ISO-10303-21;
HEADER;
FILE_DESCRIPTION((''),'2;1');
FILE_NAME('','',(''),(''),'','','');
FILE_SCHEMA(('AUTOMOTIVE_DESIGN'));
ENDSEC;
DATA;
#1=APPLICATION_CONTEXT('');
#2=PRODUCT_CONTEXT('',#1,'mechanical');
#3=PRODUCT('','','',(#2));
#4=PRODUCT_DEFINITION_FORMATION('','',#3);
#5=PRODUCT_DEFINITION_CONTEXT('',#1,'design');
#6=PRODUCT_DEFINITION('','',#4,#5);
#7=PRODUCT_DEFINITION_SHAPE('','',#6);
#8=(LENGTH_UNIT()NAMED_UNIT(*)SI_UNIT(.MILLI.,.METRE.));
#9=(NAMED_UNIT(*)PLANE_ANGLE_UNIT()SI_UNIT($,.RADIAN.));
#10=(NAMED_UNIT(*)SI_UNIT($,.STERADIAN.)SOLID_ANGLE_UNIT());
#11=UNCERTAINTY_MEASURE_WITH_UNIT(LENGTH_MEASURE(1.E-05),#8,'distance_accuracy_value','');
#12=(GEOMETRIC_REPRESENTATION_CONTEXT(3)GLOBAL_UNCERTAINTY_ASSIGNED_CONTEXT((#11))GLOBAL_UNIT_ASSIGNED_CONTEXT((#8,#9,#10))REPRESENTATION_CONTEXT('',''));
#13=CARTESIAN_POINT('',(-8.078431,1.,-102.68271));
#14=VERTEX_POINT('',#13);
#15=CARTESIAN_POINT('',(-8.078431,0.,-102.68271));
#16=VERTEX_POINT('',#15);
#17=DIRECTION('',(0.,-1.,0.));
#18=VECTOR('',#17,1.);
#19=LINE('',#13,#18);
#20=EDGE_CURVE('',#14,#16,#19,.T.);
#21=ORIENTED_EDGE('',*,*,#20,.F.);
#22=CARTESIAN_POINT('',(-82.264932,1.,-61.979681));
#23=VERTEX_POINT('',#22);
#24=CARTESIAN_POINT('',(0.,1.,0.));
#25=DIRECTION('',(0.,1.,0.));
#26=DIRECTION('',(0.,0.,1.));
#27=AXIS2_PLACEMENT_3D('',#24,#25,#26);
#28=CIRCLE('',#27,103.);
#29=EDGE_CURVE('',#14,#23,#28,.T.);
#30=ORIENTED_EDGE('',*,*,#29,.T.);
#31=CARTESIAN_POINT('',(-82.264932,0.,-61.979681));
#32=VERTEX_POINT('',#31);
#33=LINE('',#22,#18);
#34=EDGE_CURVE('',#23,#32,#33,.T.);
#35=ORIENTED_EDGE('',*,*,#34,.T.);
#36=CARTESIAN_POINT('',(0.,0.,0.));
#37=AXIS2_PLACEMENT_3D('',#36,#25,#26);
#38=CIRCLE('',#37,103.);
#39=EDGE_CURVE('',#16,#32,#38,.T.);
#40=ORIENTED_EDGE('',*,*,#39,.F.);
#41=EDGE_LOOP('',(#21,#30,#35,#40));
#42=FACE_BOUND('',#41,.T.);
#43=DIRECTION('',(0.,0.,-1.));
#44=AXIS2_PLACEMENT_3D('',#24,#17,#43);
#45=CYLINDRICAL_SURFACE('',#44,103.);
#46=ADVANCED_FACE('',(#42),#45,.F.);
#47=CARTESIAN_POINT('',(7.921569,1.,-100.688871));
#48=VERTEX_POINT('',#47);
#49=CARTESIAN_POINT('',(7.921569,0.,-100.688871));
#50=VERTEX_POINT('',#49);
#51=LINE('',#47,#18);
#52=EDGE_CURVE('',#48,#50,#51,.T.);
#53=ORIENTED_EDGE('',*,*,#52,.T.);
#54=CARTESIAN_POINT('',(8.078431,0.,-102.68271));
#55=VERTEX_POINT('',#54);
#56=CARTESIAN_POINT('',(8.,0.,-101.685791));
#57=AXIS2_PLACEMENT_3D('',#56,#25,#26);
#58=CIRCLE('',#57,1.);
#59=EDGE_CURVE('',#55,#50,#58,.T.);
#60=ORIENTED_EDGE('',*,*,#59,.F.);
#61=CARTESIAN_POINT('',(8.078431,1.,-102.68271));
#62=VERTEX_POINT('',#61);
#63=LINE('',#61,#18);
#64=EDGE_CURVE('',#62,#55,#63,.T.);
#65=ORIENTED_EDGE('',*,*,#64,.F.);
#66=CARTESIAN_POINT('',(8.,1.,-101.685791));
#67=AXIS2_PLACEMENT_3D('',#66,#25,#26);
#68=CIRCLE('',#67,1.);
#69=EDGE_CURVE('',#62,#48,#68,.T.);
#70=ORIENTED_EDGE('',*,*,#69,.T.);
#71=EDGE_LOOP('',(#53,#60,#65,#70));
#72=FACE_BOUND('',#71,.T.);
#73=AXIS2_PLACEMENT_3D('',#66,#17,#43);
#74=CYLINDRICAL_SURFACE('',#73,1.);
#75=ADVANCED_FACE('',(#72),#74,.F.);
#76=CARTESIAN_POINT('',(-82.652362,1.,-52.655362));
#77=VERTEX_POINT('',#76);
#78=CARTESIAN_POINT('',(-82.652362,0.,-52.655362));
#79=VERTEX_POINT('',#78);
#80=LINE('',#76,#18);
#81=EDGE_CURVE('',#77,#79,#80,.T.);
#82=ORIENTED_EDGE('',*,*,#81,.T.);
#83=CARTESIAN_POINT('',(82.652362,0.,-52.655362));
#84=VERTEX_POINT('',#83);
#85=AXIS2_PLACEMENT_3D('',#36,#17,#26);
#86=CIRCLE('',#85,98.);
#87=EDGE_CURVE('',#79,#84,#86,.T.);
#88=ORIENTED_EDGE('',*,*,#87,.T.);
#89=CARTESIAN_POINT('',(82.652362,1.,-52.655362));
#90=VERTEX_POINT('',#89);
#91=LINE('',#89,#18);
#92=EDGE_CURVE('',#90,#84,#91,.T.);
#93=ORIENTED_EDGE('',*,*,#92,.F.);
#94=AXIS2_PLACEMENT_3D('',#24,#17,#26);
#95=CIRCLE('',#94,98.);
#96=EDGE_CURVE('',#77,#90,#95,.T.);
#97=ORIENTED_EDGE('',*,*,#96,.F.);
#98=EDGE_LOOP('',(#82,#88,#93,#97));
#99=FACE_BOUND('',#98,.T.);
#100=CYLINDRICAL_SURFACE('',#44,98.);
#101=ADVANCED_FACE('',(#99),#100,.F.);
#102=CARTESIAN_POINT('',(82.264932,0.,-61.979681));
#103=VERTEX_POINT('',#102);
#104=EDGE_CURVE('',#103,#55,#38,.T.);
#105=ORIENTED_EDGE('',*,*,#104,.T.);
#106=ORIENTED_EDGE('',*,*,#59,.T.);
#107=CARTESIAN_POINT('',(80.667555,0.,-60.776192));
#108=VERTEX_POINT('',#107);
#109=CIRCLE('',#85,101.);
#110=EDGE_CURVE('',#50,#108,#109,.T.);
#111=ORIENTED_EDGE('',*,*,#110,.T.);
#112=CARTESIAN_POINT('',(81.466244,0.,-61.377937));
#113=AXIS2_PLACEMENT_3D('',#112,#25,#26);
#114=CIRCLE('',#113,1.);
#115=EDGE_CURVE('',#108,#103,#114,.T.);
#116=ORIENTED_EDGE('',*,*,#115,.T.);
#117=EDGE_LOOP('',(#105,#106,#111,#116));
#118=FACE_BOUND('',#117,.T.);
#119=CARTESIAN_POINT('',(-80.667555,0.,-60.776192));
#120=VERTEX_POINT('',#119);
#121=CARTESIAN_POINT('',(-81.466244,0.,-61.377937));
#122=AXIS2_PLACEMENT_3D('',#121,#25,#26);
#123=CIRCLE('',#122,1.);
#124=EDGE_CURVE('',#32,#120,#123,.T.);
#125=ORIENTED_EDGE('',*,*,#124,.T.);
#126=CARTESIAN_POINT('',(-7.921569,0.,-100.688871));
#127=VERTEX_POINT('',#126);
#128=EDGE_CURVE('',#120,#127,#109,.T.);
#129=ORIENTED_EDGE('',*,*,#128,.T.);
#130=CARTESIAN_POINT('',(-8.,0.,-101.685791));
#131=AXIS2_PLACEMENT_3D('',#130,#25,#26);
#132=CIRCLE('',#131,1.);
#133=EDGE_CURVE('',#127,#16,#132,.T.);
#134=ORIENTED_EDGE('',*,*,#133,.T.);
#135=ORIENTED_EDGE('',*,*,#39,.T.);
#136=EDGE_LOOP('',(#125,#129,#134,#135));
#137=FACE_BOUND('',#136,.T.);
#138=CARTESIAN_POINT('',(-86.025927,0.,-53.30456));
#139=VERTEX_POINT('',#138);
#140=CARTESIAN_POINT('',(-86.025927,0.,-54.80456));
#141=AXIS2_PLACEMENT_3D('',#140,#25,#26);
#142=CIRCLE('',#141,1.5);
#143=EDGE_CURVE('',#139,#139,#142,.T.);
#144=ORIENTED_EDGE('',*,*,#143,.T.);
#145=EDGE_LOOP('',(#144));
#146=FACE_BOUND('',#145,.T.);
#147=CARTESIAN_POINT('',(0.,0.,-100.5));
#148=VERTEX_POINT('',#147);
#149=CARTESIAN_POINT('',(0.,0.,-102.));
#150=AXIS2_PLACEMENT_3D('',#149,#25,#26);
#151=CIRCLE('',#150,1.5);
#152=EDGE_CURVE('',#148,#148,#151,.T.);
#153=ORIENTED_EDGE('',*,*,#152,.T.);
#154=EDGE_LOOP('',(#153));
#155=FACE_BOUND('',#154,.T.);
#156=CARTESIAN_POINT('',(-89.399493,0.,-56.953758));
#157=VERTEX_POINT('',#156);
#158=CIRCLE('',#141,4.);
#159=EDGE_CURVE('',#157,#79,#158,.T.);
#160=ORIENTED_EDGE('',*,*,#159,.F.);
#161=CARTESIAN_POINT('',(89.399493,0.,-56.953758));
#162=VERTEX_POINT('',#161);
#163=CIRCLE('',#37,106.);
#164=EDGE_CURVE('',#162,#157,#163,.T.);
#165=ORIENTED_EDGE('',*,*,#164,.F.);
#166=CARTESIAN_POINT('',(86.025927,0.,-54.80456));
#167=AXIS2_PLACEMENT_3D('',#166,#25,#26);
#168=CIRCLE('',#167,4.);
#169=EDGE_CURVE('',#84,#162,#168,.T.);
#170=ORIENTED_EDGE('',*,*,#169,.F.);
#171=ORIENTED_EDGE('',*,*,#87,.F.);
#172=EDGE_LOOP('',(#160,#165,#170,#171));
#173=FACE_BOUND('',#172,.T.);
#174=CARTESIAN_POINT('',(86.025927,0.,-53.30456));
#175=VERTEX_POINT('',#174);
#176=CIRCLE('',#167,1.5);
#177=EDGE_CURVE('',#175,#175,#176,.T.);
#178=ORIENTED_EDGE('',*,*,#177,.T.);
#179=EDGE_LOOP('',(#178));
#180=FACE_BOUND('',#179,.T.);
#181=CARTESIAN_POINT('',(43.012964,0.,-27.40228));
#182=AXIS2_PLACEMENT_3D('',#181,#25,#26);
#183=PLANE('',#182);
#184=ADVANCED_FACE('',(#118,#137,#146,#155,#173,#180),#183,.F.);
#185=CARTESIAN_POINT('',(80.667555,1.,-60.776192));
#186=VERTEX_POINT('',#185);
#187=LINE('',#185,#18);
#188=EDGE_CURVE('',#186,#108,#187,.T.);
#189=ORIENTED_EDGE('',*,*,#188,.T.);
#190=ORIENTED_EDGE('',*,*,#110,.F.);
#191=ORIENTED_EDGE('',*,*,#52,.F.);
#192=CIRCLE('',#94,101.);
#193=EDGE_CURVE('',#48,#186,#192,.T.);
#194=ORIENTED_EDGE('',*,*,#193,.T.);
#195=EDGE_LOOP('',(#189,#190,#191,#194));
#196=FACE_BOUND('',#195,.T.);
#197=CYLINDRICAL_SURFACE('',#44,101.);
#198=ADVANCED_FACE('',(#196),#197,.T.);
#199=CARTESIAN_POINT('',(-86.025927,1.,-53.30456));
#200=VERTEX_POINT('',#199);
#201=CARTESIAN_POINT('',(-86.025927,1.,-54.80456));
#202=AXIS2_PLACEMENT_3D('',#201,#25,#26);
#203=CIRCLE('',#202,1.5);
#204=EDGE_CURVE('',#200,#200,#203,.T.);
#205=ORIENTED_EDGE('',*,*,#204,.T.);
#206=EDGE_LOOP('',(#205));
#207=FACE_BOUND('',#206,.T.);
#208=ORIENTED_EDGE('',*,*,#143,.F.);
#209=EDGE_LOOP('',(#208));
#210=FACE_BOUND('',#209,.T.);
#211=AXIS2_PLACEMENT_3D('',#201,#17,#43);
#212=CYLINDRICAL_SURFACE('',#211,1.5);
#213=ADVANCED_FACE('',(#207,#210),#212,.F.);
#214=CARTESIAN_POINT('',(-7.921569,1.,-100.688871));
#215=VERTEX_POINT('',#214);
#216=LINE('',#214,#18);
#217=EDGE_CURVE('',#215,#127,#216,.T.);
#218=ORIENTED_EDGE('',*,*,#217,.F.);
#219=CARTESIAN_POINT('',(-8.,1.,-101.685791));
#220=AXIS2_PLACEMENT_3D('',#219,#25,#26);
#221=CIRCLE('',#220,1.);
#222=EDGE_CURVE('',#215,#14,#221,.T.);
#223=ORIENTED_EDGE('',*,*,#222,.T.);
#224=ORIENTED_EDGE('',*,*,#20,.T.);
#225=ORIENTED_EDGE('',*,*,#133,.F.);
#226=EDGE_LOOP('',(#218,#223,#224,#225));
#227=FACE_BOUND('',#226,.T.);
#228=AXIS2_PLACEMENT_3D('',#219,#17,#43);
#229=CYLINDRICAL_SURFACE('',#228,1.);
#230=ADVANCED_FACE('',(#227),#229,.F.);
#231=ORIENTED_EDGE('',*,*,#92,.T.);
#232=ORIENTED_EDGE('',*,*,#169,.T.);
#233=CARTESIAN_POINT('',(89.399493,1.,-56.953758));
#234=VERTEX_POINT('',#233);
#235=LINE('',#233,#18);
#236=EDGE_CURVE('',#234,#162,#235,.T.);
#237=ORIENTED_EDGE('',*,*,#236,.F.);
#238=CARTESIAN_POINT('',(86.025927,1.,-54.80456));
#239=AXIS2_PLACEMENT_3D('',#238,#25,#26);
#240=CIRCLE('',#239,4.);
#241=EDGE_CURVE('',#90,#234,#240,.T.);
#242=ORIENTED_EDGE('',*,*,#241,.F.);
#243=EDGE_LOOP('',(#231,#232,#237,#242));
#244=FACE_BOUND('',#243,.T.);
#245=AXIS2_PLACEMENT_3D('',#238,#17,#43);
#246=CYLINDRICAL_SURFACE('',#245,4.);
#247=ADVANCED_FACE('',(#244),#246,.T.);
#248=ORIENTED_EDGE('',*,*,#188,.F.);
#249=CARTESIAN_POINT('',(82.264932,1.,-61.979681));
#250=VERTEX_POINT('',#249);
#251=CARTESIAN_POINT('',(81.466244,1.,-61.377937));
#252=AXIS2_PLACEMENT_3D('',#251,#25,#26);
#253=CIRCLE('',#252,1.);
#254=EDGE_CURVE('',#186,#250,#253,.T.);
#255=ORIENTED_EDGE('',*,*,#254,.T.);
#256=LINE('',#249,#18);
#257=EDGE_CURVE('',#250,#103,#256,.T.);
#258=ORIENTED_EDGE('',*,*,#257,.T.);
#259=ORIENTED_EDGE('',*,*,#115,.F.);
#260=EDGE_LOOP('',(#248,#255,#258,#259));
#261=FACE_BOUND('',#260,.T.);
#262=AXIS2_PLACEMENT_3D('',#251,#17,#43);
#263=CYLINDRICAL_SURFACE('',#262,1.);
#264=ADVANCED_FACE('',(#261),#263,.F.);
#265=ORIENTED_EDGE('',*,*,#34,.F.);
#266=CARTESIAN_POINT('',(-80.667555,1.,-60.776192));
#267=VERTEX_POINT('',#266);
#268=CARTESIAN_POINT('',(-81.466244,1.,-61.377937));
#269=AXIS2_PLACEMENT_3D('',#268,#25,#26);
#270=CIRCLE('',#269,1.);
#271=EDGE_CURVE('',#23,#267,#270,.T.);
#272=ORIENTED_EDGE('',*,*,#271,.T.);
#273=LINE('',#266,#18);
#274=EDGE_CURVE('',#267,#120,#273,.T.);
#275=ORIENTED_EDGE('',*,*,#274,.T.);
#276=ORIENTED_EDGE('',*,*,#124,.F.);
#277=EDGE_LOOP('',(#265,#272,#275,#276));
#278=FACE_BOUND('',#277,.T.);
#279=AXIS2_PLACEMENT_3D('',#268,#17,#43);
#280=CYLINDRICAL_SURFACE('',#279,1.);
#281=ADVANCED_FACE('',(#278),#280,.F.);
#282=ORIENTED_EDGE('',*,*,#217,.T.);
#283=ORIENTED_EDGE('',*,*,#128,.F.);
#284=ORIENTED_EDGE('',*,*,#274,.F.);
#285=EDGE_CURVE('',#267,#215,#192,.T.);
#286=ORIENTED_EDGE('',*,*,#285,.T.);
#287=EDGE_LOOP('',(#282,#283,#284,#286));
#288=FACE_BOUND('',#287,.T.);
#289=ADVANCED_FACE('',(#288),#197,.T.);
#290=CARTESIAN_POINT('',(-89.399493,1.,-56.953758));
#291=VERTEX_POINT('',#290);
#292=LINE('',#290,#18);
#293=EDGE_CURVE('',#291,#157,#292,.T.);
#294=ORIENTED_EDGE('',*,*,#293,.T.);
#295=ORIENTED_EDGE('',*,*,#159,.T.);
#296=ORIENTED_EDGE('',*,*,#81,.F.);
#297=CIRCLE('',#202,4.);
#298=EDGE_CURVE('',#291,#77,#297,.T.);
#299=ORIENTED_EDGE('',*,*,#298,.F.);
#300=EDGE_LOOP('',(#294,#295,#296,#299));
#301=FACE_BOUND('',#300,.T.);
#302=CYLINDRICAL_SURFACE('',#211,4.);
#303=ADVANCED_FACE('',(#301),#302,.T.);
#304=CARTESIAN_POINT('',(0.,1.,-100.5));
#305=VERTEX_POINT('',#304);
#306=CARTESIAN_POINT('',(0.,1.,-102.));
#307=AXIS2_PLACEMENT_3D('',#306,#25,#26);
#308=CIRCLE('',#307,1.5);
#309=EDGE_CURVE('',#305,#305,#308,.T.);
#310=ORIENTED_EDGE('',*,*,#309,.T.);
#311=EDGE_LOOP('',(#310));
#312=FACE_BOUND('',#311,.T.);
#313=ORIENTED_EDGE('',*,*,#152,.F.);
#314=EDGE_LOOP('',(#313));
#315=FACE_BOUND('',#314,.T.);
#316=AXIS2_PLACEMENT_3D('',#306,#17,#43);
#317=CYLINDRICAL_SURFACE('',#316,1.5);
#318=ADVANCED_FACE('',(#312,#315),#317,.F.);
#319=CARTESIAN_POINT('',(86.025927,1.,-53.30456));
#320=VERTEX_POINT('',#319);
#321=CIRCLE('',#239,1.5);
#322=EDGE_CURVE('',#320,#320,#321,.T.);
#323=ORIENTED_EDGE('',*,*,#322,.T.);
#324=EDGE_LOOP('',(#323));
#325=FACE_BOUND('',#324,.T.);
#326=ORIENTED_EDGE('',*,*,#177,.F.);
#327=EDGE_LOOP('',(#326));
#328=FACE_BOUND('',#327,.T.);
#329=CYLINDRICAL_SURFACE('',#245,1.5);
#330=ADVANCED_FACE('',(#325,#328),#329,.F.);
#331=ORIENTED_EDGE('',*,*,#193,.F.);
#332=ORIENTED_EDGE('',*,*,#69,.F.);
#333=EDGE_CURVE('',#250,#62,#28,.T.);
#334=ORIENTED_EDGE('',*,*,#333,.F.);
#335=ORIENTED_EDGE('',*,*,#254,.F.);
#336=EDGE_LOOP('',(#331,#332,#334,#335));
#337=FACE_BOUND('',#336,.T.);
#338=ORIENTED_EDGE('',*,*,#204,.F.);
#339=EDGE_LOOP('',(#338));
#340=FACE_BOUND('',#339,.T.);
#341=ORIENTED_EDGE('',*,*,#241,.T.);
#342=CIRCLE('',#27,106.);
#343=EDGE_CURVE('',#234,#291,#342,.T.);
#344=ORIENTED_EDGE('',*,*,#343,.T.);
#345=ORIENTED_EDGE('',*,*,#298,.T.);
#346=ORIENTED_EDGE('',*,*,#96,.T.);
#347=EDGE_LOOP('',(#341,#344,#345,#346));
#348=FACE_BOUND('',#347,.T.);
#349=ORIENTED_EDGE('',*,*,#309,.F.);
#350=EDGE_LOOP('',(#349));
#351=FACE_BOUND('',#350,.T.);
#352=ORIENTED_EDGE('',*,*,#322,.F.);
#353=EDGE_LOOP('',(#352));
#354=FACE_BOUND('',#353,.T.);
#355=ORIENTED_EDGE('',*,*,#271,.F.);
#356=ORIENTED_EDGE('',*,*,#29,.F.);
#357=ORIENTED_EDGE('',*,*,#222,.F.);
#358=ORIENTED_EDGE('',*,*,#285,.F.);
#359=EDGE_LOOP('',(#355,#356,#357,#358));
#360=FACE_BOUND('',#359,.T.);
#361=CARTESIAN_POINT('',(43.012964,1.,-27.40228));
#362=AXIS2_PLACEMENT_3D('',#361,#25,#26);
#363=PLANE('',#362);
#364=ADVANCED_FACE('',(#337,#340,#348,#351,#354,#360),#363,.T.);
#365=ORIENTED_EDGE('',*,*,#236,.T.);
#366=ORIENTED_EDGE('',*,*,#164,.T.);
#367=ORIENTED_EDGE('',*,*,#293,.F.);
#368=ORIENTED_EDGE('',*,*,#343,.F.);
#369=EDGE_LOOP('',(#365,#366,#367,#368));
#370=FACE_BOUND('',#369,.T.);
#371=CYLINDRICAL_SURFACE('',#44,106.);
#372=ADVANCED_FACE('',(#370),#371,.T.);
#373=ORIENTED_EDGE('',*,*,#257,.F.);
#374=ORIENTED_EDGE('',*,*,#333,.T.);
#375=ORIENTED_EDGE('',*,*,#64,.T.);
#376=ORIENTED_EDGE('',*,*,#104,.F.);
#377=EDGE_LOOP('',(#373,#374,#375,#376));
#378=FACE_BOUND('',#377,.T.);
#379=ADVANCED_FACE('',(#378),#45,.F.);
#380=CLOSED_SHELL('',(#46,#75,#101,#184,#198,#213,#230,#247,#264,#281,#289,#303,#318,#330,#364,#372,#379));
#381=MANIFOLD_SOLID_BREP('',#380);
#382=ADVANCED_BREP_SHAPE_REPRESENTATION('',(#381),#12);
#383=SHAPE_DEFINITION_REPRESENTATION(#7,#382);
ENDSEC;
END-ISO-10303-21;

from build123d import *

# Parameters (mm, degrees)
SKETCH_1_R      = 1.5
EXTRUDE_1_DEPTH = 1


with BuildPart() as part:
    # 草图1 → 凸台-拉伸1 (new body)
    with BuildSketch(Plane(origin=(0, 0, 0), x_dir=(1, 0, 0), z_dir=(0, 1, 0))):
        with BuildLine():
            ThreePointArc((89.399493256, 56.953758485), (0, 106), (-89.399493256, 56.953758485))
            ThreePointArc((-89.399493256, 56.953758485), (-88.175125906, 51.430994268), (-82.65236169, 52.655361618))
            ThreePointArc((-82.65236169, 52.655361618), (0, 98), (82.65236169, 52.655361618))
            ThreePointArc((82.65236169, 52.655361618), (88.175125906, 51.430994268), (89.399493256, 56.953758485))
        make_face()
        with Locations(Location((0, 102, 0), (0, 0, 270))):
            Circle(SKETCH_1_R, mode=Mode.SUBTRACT)
        with Locations(Location((-86.025927473, 54.804560051, 0), (0, 0, 270))):
            Circle(SKETCH_1_R, mode=Mode.SUBTRACT)
        with Locations(Location((86.025927473, 54.804560051, 0), (0, 0, 270))):
            Circle(SKETCH_1_R, mode=Mode.SUBTRACT)
        with BuildLine():
            ThreePointArc((-8.078431373, 102.682710066), (-49.544575655, 90.301356707), (-82.264932334, 61.979681413))
            ThreePointArc((-82.264932334, 61.979681413), (-82.067988151, 60.579248269), (-80.667555008, 60.776192453))
            ThreePointArc((-80.667555008, 60.776192453), (-48.58254506, 88.547932305), (-7.921568627, 100.688871036))
            ThreePointArc((-7.921568627, 100.688871036), (-7.003080485, 101.764221924), (-8.078431373, 102.682710066))
        make_face(mode=Mode.SUBTRACT)
        with BuildLine():
            ThreePointArc((82.264932334, 61.979681413), (49.544575655, 90.301356707), (8.078431373, 102.682710066))
            ThreePointArc((8.078431373, 102.682710066), (7.003080485, 101.764221924), (7.921568627, 100.688871036))
            ThreePointArc((7.921568627, 100.688871036), (48.58254506, 88.547932305), (80.667555008, 60.776192453))
            ThreePointArc((80.667555008, 60.776192453), (82.067988151, 60.579248269), (82.264932334, 61.979681413))
        make_face(mode=Mode.SUBTRACT)
    extrude(amount=EXTRUDE_1_DEPTH)


solid = part.part
